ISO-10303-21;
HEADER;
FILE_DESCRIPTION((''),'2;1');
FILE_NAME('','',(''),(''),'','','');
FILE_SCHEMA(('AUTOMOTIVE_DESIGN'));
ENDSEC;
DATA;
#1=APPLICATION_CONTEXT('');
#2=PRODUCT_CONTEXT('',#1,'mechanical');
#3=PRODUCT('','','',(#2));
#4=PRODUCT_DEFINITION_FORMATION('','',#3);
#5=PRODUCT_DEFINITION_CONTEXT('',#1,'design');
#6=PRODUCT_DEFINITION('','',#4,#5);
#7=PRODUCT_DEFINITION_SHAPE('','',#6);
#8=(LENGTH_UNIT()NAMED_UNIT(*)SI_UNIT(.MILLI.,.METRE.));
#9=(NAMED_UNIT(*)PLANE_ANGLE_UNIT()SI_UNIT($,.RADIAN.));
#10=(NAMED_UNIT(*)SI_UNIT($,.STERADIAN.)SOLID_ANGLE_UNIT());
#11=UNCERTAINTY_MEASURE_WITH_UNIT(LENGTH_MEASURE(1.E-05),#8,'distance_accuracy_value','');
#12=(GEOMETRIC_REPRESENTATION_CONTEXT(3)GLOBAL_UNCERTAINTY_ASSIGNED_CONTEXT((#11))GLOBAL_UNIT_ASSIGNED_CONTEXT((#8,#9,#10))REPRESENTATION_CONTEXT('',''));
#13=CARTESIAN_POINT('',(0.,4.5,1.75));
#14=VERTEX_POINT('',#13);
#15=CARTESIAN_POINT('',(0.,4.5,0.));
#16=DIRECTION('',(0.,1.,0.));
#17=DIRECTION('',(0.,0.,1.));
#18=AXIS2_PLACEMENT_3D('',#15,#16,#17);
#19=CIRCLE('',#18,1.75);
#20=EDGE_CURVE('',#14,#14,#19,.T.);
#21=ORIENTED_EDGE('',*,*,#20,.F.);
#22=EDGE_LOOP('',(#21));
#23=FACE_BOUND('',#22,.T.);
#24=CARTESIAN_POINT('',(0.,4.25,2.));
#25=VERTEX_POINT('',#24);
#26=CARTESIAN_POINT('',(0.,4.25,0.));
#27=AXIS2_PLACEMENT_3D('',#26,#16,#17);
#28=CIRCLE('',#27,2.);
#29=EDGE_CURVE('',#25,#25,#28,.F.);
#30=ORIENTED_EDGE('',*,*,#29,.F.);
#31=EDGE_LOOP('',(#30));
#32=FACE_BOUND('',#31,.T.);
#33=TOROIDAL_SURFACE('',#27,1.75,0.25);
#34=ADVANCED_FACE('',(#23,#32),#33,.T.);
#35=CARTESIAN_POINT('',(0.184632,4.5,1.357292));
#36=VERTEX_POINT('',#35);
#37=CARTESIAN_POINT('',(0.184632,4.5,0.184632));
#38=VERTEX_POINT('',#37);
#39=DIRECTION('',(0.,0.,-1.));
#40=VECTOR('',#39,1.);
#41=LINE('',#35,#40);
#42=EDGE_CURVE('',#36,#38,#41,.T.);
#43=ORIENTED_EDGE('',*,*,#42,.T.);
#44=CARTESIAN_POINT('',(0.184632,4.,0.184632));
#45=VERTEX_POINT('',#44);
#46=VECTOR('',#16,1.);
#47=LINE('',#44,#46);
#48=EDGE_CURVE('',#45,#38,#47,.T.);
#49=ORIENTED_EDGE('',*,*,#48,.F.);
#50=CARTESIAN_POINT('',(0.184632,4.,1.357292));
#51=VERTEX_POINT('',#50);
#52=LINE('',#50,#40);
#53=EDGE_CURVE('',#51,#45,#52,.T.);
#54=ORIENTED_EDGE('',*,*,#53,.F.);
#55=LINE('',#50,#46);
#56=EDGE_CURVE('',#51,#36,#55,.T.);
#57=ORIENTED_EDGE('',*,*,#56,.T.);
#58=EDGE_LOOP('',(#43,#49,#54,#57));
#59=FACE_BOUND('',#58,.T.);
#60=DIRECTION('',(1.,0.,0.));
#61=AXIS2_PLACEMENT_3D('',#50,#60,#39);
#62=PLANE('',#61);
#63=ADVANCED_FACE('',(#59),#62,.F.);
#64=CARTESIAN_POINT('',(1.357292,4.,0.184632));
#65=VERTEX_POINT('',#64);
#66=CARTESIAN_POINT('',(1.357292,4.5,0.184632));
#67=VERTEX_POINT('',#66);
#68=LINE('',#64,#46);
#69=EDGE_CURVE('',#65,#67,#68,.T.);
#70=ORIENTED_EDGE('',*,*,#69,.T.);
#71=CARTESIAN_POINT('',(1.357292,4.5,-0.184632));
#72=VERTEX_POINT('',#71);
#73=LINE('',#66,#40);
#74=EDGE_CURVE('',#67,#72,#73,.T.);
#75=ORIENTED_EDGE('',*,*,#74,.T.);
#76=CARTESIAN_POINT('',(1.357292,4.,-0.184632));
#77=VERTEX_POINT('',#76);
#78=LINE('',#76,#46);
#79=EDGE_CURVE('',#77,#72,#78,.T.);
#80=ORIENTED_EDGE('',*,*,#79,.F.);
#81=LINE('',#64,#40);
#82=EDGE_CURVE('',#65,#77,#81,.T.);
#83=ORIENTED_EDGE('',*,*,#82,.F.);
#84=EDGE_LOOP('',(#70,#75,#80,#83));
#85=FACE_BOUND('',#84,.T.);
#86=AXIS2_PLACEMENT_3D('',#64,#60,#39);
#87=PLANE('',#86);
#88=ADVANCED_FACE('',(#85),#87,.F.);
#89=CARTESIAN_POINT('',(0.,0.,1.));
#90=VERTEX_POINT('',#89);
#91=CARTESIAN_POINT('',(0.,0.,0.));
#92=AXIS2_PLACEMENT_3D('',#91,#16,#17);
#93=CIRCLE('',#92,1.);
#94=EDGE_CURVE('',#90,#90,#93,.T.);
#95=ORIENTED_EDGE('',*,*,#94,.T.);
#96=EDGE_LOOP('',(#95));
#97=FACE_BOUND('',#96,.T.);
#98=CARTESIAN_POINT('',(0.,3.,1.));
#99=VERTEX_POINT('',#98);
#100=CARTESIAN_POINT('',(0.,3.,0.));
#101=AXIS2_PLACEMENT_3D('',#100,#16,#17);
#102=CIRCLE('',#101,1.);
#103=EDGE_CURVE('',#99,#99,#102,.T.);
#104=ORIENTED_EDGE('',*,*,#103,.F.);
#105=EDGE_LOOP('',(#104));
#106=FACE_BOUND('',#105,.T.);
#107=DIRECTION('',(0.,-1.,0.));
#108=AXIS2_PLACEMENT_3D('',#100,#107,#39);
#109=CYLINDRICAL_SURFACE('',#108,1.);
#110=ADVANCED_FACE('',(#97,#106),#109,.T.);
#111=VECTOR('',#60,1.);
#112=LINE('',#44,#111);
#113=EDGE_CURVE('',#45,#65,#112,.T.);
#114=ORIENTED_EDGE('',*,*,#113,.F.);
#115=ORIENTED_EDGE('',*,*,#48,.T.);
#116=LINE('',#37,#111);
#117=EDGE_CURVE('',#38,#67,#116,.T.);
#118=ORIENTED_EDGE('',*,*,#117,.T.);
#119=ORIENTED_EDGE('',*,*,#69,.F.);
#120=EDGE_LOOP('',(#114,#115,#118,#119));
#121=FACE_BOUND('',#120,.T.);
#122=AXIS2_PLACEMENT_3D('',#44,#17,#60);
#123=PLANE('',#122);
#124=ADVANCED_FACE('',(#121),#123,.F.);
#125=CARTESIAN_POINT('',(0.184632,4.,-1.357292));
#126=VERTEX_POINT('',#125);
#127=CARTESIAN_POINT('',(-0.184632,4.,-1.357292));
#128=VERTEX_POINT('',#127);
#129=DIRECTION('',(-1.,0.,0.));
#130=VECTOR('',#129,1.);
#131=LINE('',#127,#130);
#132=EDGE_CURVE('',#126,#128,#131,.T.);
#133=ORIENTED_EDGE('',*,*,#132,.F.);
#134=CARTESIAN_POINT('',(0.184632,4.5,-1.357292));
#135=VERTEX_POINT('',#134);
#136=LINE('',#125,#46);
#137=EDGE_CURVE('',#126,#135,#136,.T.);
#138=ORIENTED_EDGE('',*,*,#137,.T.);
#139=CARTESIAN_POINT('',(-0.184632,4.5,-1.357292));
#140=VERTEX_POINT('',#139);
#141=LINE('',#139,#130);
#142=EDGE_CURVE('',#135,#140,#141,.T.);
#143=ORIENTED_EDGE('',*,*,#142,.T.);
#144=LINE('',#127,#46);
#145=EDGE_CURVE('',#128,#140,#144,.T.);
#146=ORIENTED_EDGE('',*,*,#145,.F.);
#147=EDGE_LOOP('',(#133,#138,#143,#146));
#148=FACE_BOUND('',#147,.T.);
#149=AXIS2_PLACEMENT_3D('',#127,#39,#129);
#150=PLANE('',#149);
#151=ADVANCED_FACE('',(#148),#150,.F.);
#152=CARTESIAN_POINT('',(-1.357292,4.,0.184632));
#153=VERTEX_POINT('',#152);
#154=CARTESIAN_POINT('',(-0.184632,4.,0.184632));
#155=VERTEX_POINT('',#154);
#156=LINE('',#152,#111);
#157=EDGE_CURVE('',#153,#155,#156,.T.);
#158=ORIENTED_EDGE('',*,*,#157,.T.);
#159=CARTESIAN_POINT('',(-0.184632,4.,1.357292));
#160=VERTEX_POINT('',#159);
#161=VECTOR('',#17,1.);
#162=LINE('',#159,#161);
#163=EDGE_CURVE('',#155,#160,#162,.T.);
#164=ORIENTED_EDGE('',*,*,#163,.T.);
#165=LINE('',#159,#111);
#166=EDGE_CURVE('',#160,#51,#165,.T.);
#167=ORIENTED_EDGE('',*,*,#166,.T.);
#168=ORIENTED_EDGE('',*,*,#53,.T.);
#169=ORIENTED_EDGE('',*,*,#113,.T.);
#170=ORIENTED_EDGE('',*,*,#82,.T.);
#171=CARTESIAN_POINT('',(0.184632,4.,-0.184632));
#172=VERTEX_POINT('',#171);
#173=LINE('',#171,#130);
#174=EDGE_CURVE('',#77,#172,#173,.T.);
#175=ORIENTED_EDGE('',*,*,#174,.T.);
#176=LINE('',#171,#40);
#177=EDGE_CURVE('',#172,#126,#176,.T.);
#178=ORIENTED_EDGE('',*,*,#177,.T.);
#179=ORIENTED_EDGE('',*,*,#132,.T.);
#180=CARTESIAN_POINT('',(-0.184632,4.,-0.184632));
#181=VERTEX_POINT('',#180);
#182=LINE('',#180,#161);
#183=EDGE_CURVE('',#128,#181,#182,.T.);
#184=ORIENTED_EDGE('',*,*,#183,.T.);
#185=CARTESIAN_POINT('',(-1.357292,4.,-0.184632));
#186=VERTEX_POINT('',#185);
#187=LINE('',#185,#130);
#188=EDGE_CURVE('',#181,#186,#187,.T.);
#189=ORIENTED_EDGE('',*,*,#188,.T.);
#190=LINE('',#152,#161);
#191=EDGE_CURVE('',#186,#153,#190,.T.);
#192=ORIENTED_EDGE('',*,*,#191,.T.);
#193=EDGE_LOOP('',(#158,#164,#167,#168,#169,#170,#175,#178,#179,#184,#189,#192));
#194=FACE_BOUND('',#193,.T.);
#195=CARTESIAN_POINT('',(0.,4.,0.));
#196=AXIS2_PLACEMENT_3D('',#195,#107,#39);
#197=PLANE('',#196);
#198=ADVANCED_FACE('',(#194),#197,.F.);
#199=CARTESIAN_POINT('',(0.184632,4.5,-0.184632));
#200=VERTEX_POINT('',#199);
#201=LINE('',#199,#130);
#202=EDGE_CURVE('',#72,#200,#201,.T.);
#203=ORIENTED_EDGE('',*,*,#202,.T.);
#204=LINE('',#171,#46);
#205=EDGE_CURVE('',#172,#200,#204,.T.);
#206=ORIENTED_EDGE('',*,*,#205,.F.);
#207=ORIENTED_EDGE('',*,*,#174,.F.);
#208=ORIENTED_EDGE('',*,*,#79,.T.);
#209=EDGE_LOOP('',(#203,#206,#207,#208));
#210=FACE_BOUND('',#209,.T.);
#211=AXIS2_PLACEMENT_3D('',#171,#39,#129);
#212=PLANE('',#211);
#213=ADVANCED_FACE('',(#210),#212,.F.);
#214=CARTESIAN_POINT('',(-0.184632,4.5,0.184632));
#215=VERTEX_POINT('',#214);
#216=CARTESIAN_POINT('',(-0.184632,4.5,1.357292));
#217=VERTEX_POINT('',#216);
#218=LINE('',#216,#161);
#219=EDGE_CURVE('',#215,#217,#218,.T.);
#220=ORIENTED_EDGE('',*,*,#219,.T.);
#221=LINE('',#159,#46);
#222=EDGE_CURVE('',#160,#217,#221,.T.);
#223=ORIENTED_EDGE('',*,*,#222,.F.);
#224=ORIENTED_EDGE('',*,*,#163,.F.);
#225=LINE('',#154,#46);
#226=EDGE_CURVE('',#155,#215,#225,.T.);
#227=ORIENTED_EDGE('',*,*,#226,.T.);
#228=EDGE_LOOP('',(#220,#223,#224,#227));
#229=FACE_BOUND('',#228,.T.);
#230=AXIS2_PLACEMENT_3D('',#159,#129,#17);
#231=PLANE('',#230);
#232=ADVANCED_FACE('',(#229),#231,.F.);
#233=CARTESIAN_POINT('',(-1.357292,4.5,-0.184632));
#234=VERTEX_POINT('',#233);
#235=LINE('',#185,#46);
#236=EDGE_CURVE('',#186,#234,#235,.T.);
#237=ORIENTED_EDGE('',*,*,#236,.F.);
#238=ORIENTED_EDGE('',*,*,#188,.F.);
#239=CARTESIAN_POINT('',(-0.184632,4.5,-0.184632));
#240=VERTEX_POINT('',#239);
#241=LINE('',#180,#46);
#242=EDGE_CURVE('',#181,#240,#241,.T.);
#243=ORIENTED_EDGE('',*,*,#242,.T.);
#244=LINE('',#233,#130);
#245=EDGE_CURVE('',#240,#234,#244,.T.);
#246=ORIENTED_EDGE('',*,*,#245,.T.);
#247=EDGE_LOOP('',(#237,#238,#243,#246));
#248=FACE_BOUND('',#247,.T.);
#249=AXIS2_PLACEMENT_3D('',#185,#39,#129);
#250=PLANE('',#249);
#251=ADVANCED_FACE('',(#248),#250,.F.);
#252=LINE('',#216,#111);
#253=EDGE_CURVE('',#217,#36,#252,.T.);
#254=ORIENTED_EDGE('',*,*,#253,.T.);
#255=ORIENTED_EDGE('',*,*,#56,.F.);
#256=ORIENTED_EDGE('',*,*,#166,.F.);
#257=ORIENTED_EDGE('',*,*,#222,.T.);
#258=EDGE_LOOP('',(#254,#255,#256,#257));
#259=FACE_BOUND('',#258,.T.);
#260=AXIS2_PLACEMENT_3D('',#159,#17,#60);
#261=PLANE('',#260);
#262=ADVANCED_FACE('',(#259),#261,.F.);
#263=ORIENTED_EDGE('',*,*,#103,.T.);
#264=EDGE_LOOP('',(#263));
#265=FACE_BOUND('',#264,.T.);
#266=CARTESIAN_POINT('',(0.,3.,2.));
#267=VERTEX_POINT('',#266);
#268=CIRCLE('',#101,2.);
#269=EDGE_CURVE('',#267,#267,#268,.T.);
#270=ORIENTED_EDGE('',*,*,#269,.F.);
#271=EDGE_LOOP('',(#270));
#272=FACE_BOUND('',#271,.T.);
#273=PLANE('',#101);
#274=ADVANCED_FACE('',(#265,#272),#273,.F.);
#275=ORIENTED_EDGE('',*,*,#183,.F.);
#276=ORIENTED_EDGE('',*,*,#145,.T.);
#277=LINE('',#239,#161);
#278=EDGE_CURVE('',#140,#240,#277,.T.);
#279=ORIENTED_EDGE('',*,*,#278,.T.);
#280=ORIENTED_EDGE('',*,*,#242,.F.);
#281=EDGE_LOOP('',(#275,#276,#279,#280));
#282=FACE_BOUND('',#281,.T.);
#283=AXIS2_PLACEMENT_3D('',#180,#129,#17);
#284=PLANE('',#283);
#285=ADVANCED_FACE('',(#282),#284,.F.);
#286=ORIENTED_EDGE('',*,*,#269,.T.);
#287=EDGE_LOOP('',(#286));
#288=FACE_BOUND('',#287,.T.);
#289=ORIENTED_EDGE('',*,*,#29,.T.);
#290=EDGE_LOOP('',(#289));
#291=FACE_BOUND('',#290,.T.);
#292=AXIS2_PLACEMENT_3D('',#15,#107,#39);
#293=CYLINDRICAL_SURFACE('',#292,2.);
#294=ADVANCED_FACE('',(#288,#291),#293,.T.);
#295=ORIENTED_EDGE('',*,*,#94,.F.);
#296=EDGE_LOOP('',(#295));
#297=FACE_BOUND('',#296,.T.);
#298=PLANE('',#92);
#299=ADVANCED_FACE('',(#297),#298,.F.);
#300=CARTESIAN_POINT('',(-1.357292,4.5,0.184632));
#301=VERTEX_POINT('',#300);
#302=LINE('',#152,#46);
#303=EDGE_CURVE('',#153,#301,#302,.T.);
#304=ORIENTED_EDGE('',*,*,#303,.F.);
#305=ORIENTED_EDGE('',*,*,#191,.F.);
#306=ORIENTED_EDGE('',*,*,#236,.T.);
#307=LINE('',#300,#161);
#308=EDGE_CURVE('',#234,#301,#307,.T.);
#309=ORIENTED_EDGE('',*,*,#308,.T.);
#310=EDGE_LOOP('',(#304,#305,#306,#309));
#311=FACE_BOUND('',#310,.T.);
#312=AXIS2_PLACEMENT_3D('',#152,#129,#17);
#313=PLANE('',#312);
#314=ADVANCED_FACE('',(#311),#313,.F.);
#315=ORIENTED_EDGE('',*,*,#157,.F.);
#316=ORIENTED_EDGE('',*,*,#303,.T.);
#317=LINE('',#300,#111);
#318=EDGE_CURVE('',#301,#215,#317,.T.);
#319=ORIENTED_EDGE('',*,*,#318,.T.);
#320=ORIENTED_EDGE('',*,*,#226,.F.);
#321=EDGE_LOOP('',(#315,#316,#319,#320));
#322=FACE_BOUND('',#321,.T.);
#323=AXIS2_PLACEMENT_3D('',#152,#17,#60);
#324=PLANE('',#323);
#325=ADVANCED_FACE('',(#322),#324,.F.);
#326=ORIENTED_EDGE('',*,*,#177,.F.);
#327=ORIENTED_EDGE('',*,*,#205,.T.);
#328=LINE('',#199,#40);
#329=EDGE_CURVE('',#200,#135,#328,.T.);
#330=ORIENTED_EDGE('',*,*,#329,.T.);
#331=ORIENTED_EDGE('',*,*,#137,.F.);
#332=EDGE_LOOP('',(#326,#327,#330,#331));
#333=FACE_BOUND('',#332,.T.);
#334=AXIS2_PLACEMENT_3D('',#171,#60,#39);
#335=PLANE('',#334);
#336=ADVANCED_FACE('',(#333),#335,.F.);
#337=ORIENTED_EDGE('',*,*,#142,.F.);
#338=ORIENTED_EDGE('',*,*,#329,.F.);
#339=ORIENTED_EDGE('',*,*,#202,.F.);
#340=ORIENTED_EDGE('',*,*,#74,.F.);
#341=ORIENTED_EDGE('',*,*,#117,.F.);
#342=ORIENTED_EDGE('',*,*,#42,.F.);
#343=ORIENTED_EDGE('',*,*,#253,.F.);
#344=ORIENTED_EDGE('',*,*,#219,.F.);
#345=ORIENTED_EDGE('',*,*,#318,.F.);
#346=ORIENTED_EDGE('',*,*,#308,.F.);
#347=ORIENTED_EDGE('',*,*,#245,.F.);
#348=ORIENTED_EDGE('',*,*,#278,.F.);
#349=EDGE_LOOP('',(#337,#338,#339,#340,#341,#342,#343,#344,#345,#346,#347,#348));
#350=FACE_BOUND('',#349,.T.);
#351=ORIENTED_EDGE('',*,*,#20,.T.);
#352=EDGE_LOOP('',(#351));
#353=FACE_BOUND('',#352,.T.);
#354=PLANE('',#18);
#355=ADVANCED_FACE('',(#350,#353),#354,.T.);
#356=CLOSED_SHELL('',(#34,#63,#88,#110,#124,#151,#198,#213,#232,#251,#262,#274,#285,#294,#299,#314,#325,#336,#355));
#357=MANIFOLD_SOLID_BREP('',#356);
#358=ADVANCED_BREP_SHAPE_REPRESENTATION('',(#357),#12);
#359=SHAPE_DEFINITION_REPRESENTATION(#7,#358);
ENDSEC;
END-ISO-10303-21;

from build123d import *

# Parameters (mm, degrees)
SKETCH1_R           = 1
BOSS_EXTRUDE1_DEPTH = 3
SKETCH2_R           = 2
BOSS_EXTRUDE2_DEPTH = 1.5
FILLET1_R           = 0.25
CUT_EXTRUDE1_DEPTH  = 0.5


with BuildPart() as part:
    # Sketch1 → Boss-Extrude1 (new body)
    with BuildSketch(Plane(origin=(0, 0, 0), x_dir=(1, 0, 0), z_dir=(0, 1, 0))):
        with Locations(Location((0, 0, 0), (0, 0, 270))):
            Circle(SKETCH1_R)
    extrude(amount=BOSS_EXTRUDE1_DEPTH)

    # Sketch2 → Boss-Extrude2 (add)
    with BuildSketch(Plane(origin=(0, 3, 0), x_dir=(1, 0, 0), z_dir=(0, 1, 0))):
        with Locations(Location((0, 0, 0), (0, 0, 270))):
            Circle(SKETCH2_R)
    extrude(amount=BOSS_EXTRUDE2_DEPTH)

    # Fillet1
    fillet1_edges = [part.edges().sort_by_distance(p)[0] for p in [
        (0, 4.5, -2),
    ]]
    fillet(fillet1_edges, radius=FILLET1_R)

    # Sketch3 → Cut-Extrude1 (cut)
    with BuildSketch(Plane(origin=(0, 4.5, 0), x_dir=(1, 0, 0), z_dir=(0, 1, 0))):
        Polygon((-0.184631602, -1.357291779), (0.184631602, -1.357291779), (0.184631602, -0.184631602), (1.357291779, -0.184631602), (1.357291779, 0.184631602), (0.184631602, 0.184631602), (0.184631602, 1.357291779), (-0.184631602, 1.357291779), (-0.184631602, 0.184631602), (-1.357291779, 0.184631602), (-1.357291779, -0.184631602), (-0.184631602, -0.184631602), align=None)
    extrude(amount=-CUT_EXTRUDE1_DEPTH, mode=Mode.SUBTRACT)


solid = part.part
